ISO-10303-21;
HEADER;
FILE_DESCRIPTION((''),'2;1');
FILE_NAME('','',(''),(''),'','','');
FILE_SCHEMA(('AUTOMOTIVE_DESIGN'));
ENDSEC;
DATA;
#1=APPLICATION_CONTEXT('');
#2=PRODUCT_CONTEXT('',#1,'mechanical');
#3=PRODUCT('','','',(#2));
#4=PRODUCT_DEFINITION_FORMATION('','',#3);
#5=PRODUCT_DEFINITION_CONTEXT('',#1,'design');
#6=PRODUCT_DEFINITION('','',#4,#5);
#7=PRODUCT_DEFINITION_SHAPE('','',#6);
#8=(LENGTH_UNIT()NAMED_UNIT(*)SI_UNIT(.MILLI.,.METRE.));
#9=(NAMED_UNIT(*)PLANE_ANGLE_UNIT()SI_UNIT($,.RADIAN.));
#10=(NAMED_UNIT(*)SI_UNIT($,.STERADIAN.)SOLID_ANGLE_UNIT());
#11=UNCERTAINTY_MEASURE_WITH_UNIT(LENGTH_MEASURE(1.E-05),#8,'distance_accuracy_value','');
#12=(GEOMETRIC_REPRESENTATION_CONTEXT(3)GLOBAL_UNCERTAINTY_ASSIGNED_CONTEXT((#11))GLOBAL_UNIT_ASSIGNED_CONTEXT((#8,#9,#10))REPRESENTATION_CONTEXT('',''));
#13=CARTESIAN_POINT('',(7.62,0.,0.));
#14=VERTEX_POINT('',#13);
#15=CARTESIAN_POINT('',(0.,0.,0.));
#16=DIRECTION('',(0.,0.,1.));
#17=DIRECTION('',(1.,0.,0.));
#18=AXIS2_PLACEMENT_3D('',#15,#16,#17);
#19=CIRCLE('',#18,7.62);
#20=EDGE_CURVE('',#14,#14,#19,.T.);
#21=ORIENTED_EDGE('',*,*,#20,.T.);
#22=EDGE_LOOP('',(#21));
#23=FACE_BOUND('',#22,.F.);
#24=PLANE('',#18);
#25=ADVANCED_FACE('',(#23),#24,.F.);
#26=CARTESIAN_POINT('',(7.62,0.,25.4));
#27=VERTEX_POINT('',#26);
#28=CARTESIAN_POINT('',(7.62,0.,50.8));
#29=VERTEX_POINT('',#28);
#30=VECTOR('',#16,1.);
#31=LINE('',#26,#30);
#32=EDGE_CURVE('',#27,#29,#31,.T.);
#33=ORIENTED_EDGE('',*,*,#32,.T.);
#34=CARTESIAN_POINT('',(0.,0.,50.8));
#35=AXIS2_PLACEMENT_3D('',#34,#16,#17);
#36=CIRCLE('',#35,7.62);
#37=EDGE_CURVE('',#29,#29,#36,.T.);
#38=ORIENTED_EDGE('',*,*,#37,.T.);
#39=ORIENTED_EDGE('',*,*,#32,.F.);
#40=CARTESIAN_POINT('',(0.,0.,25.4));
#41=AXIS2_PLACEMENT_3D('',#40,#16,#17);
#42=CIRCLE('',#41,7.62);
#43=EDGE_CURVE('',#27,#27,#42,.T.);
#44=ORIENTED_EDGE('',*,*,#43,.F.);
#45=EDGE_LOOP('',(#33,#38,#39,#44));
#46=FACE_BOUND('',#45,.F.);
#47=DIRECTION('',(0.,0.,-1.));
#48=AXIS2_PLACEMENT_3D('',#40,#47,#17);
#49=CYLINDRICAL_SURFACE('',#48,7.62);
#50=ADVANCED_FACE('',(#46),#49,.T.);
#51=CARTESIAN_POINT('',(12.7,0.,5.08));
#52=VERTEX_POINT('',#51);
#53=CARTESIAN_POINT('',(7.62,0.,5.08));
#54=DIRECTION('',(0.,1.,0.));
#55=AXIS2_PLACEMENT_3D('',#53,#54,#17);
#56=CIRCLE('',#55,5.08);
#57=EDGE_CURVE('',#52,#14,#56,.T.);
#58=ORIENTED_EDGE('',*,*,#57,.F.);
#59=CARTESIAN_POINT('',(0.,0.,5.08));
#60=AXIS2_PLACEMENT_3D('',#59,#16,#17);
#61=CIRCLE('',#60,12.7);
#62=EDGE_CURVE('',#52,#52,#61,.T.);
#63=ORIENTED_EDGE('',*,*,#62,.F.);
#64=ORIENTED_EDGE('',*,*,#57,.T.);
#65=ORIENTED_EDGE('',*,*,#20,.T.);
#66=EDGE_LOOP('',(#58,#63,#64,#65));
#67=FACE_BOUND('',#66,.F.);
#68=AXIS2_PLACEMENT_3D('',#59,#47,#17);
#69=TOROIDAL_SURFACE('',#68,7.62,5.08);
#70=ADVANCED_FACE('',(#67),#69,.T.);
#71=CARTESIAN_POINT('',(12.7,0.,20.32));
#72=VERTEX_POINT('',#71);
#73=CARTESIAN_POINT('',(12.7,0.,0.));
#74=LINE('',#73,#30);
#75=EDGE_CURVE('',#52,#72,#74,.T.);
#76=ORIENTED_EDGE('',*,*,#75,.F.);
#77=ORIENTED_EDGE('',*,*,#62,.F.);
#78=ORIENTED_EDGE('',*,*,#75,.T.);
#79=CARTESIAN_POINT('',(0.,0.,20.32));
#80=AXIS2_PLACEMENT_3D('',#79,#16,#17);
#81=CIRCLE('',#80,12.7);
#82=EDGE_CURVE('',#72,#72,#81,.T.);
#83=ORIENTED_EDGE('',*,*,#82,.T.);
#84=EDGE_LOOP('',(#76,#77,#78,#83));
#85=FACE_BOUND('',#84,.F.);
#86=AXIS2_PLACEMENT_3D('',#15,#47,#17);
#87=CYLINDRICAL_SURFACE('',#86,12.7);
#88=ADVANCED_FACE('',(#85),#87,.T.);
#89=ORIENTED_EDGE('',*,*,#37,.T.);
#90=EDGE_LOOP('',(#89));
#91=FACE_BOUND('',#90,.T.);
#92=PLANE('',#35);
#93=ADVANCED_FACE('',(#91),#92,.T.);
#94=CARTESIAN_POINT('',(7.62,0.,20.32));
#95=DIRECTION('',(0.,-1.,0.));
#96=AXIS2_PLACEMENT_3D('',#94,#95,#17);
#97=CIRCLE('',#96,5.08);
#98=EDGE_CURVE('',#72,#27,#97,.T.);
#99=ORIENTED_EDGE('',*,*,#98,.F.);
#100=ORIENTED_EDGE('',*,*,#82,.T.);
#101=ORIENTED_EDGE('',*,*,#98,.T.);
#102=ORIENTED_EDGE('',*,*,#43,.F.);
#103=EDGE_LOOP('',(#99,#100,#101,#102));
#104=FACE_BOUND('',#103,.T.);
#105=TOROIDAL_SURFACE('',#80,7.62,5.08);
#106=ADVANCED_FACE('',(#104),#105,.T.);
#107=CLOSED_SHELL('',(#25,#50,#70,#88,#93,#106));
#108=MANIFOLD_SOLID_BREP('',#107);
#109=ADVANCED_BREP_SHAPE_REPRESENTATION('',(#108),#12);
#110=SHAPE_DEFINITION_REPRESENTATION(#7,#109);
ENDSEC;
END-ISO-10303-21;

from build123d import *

# Parameters (mm, degrees)
F0_R      = 12.7
F1_DEPTH  = 25.4
F2_R      = 5.08
F1_FACE_R = 7.62
F3_DEPTH  = 25.4


with BuildPart() as f1:
    # F0 (on Top) → F1 (new body)
    with BuildSketch(Plane.XY):
        Circle(F0_R)
    extrude(amount=F1_DEPTH)

    # F2
    f2_edges = [f1.edges().sort_by_distance(p)[0] for p in [
        (-12.7, 0, 25.4),
        (-12.7, 0, 0),
    ]]
    fillet(f2_edges, radius=F2_R)

    # F1_face (on face) → F3 (join)
    with BuildSketch(Plane.XY.offset(25.4)):
        Circle(F1_FACE_R)
    extrude(amount=F3_DEPTH)


solid = f1.part
